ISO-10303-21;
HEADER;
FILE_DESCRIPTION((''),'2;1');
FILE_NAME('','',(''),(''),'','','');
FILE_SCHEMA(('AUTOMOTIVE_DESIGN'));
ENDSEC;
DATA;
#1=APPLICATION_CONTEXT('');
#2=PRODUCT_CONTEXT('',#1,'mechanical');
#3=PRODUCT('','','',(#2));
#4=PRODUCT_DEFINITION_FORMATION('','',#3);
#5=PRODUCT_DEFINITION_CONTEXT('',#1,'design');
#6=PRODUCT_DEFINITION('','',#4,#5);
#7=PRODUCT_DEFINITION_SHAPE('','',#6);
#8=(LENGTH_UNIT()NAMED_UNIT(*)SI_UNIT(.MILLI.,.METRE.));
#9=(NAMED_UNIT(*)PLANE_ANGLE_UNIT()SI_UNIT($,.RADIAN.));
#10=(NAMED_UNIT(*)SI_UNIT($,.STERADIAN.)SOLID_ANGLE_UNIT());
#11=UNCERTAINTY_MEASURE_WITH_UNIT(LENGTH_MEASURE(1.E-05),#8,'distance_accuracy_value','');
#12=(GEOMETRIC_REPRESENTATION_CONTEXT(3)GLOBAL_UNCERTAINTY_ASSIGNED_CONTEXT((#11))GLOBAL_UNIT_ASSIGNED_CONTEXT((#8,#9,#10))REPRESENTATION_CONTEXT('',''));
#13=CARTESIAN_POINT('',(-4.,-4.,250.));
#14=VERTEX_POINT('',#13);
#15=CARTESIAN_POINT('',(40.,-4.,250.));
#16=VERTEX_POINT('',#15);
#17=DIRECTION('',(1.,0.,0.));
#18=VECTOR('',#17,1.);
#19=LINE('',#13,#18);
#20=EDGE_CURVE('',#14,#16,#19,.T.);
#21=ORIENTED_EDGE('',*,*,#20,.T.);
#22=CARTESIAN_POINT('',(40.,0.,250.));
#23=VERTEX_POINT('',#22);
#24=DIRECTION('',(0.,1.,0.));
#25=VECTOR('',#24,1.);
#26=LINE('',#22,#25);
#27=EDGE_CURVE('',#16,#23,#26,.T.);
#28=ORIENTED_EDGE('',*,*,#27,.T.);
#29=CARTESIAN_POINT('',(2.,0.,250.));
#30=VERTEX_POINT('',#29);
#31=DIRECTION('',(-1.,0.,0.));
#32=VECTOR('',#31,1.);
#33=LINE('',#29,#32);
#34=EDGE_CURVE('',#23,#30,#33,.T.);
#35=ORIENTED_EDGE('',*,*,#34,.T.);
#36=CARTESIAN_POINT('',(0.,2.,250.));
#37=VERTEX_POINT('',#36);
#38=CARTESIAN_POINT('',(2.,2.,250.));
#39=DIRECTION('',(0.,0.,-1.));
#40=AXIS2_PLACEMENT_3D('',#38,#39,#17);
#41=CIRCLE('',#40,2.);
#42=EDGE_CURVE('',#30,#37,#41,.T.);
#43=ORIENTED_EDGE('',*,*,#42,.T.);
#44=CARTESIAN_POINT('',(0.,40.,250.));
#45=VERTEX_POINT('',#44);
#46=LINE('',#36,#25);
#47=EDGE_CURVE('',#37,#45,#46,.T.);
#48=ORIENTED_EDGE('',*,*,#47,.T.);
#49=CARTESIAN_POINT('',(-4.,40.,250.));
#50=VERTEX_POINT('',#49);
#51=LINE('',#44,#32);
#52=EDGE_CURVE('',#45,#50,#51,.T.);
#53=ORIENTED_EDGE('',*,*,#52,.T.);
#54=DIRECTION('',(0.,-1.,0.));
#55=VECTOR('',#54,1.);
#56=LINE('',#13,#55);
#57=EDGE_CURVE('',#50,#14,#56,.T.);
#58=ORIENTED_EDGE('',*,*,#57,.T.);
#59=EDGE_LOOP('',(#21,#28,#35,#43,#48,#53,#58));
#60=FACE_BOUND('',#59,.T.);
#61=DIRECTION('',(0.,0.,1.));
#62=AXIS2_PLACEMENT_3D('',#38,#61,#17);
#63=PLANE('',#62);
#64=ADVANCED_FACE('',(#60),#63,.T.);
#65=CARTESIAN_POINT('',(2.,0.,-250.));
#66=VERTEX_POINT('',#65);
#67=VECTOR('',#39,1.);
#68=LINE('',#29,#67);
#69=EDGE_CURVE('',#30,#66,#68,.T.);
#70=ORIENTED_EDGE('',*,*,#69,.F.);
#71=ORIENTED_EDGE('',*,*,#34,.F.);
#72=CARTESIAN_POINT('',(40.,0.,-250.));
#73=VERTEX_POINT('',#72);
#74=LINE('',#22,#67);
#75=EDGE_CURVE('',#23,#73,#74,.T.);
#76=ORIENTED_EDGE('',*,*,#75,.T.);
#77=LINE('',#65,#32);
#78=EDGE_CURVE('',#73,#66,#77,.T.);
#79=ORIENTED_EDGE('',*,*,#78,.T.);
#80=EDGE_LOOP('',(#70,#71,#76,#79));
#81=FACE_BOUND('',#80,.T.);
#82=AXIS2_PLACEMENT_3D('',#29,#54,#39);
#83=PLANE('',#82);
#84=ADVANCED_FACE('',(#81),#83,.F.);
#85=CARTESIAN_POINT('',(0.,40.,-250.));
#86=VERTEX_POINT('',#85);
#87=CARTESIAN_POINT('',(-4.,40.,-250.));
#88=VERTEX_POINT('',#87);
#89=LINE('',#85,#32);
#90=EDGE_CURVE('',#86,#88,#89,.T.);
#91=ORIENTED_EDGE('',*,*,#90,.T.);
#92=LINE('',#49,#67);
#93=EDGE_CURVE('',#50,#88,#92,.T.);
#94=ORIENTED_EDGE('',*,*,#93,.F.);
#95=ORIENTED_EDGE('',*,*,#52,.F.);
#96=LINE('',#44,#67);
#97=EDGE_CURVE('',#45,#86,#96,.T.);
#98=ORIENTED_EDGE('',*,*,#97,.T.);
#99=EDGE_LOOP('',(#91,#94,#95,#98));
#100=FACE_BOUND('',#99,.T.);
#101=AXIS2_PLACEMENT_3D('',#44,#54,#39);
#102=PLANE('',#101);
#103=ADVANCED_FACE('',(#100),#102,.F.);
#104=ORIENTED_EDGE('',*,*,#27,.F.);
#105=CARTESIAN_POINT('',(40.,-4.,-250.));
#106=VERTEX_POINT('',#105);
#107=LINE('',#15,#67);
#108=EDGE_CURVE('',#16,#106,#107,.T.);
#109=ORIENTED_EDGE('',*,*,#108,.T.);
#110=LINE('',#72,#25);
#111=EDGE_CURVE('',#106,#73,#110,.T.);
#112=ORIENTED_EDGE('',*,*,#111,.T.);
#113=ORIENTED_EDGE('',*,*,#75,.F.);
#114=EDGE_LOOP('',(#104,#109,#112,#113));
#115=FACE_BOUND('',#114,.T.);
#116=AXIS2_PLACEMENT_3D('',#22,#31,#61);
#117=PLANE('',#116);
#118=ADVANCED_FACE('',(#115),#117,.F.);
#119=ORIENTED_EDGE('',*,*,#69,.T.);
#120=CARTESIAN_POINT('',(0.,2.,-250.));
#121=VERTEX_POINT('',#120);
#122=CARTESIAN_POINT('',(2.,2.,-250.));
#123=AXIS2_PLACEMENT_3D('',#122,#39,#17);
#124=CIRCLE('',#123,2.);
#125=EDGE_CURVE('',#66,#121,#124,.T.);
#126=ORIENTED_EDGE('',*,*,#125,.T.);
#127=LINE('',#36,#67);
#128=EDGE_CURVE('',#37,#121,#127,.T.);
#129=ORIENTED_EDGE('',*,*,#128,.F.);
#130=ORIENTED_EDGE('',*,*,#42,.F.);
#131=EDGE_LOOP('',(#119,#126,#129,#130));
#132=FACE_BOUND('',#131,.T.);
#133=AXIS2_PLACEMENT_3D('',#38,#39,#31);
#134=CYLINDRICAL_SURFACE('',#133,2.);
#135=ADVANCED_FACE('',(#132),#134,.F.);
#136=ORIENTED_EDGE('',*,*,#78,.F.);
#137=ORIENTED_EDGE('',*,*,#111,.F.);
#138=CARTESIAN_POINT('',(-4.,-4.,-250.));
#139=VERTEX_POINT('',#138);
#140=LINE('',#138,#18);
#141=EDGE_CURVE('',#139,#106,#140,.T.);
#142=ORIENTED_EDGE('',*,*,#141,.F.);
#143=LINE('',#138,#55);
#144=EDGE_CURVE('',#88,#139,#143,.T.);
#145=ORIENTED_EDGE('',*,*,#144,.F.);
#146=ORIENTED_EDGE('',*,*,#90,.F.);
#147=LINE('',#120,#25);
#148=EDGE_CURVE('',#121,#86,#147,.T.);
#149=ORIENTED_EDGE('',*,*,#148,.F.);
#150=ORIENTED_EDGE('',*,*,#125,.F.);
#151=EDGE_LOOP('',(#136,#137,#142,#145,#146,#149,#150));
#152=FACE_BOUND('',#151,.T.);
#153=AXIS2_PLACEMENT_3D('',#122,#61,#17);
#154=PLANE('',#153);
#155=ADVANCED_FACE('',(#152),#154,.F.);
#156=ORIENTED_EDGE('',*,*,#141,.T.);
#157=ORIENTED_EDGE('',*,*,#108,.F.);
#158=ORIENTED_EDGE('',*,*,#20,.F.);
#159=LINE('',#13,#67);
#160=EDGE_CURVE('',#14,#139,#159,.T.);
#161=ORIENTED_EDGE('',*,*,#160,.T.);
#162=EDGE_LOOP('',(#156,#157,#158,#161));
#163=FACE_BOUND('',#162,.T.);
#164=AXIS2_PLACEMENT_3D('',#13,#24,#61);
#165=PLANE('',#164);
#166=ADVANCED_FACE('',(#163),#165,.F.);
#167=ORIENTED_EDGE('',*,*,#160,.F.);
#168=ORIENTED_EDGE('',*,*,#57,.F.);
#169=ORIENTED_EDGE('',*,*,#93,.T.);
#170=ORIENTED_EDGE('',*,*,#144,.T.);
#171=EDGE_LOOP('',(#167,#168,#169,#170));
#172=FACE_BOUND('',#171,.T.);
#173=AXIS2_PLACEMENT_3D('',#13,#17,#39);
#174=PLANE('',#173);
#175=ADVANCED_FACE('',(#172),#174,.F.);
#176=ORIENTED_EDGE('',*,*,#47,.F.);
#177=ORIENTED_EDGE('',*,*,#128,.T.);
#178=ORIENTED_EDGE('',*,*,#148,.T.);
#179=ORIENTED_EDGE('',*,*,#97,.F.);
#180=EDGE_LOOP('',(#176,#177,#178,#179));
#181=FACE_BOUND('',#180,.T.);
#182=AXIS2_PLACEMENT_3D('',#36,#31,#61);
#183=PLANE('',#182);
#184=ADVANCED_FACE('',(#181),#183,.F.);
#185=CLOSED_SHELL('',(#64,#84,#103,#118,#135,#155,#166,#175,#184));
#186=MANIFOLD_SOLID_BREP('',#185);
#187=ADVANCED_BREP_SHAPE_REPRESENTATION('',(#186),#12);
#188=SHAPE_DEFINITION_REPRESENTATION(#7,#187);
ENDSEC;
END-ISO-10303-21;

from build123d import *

# Parameters (mm, degrees)
SALIENTE_EXTRUIR1_DEPTH = 250


with BuildPart() as part:
    # Croquis1 → Saliente-Extruir1 (new, symmetric)
    with BuildSketch(Plane.XY):
        with BuildLine():
            Line((0, 2), (0, 40))
            Line((0, 40), (-4, 40))
            Line((-4, 40), (-4, -4))
            Line((-4, -4), (40, -4))
            Line((40, -4), (40, 0))
            Line((40, 0), (2, 0))
            ThreePointArc((2, 0), (0.585786438, 0.585786438), (0, 2))
        make_face()
    extrude(amount=SALIENTE_EXTRUIR1_DEPTH, both=True)


solid = part.part
